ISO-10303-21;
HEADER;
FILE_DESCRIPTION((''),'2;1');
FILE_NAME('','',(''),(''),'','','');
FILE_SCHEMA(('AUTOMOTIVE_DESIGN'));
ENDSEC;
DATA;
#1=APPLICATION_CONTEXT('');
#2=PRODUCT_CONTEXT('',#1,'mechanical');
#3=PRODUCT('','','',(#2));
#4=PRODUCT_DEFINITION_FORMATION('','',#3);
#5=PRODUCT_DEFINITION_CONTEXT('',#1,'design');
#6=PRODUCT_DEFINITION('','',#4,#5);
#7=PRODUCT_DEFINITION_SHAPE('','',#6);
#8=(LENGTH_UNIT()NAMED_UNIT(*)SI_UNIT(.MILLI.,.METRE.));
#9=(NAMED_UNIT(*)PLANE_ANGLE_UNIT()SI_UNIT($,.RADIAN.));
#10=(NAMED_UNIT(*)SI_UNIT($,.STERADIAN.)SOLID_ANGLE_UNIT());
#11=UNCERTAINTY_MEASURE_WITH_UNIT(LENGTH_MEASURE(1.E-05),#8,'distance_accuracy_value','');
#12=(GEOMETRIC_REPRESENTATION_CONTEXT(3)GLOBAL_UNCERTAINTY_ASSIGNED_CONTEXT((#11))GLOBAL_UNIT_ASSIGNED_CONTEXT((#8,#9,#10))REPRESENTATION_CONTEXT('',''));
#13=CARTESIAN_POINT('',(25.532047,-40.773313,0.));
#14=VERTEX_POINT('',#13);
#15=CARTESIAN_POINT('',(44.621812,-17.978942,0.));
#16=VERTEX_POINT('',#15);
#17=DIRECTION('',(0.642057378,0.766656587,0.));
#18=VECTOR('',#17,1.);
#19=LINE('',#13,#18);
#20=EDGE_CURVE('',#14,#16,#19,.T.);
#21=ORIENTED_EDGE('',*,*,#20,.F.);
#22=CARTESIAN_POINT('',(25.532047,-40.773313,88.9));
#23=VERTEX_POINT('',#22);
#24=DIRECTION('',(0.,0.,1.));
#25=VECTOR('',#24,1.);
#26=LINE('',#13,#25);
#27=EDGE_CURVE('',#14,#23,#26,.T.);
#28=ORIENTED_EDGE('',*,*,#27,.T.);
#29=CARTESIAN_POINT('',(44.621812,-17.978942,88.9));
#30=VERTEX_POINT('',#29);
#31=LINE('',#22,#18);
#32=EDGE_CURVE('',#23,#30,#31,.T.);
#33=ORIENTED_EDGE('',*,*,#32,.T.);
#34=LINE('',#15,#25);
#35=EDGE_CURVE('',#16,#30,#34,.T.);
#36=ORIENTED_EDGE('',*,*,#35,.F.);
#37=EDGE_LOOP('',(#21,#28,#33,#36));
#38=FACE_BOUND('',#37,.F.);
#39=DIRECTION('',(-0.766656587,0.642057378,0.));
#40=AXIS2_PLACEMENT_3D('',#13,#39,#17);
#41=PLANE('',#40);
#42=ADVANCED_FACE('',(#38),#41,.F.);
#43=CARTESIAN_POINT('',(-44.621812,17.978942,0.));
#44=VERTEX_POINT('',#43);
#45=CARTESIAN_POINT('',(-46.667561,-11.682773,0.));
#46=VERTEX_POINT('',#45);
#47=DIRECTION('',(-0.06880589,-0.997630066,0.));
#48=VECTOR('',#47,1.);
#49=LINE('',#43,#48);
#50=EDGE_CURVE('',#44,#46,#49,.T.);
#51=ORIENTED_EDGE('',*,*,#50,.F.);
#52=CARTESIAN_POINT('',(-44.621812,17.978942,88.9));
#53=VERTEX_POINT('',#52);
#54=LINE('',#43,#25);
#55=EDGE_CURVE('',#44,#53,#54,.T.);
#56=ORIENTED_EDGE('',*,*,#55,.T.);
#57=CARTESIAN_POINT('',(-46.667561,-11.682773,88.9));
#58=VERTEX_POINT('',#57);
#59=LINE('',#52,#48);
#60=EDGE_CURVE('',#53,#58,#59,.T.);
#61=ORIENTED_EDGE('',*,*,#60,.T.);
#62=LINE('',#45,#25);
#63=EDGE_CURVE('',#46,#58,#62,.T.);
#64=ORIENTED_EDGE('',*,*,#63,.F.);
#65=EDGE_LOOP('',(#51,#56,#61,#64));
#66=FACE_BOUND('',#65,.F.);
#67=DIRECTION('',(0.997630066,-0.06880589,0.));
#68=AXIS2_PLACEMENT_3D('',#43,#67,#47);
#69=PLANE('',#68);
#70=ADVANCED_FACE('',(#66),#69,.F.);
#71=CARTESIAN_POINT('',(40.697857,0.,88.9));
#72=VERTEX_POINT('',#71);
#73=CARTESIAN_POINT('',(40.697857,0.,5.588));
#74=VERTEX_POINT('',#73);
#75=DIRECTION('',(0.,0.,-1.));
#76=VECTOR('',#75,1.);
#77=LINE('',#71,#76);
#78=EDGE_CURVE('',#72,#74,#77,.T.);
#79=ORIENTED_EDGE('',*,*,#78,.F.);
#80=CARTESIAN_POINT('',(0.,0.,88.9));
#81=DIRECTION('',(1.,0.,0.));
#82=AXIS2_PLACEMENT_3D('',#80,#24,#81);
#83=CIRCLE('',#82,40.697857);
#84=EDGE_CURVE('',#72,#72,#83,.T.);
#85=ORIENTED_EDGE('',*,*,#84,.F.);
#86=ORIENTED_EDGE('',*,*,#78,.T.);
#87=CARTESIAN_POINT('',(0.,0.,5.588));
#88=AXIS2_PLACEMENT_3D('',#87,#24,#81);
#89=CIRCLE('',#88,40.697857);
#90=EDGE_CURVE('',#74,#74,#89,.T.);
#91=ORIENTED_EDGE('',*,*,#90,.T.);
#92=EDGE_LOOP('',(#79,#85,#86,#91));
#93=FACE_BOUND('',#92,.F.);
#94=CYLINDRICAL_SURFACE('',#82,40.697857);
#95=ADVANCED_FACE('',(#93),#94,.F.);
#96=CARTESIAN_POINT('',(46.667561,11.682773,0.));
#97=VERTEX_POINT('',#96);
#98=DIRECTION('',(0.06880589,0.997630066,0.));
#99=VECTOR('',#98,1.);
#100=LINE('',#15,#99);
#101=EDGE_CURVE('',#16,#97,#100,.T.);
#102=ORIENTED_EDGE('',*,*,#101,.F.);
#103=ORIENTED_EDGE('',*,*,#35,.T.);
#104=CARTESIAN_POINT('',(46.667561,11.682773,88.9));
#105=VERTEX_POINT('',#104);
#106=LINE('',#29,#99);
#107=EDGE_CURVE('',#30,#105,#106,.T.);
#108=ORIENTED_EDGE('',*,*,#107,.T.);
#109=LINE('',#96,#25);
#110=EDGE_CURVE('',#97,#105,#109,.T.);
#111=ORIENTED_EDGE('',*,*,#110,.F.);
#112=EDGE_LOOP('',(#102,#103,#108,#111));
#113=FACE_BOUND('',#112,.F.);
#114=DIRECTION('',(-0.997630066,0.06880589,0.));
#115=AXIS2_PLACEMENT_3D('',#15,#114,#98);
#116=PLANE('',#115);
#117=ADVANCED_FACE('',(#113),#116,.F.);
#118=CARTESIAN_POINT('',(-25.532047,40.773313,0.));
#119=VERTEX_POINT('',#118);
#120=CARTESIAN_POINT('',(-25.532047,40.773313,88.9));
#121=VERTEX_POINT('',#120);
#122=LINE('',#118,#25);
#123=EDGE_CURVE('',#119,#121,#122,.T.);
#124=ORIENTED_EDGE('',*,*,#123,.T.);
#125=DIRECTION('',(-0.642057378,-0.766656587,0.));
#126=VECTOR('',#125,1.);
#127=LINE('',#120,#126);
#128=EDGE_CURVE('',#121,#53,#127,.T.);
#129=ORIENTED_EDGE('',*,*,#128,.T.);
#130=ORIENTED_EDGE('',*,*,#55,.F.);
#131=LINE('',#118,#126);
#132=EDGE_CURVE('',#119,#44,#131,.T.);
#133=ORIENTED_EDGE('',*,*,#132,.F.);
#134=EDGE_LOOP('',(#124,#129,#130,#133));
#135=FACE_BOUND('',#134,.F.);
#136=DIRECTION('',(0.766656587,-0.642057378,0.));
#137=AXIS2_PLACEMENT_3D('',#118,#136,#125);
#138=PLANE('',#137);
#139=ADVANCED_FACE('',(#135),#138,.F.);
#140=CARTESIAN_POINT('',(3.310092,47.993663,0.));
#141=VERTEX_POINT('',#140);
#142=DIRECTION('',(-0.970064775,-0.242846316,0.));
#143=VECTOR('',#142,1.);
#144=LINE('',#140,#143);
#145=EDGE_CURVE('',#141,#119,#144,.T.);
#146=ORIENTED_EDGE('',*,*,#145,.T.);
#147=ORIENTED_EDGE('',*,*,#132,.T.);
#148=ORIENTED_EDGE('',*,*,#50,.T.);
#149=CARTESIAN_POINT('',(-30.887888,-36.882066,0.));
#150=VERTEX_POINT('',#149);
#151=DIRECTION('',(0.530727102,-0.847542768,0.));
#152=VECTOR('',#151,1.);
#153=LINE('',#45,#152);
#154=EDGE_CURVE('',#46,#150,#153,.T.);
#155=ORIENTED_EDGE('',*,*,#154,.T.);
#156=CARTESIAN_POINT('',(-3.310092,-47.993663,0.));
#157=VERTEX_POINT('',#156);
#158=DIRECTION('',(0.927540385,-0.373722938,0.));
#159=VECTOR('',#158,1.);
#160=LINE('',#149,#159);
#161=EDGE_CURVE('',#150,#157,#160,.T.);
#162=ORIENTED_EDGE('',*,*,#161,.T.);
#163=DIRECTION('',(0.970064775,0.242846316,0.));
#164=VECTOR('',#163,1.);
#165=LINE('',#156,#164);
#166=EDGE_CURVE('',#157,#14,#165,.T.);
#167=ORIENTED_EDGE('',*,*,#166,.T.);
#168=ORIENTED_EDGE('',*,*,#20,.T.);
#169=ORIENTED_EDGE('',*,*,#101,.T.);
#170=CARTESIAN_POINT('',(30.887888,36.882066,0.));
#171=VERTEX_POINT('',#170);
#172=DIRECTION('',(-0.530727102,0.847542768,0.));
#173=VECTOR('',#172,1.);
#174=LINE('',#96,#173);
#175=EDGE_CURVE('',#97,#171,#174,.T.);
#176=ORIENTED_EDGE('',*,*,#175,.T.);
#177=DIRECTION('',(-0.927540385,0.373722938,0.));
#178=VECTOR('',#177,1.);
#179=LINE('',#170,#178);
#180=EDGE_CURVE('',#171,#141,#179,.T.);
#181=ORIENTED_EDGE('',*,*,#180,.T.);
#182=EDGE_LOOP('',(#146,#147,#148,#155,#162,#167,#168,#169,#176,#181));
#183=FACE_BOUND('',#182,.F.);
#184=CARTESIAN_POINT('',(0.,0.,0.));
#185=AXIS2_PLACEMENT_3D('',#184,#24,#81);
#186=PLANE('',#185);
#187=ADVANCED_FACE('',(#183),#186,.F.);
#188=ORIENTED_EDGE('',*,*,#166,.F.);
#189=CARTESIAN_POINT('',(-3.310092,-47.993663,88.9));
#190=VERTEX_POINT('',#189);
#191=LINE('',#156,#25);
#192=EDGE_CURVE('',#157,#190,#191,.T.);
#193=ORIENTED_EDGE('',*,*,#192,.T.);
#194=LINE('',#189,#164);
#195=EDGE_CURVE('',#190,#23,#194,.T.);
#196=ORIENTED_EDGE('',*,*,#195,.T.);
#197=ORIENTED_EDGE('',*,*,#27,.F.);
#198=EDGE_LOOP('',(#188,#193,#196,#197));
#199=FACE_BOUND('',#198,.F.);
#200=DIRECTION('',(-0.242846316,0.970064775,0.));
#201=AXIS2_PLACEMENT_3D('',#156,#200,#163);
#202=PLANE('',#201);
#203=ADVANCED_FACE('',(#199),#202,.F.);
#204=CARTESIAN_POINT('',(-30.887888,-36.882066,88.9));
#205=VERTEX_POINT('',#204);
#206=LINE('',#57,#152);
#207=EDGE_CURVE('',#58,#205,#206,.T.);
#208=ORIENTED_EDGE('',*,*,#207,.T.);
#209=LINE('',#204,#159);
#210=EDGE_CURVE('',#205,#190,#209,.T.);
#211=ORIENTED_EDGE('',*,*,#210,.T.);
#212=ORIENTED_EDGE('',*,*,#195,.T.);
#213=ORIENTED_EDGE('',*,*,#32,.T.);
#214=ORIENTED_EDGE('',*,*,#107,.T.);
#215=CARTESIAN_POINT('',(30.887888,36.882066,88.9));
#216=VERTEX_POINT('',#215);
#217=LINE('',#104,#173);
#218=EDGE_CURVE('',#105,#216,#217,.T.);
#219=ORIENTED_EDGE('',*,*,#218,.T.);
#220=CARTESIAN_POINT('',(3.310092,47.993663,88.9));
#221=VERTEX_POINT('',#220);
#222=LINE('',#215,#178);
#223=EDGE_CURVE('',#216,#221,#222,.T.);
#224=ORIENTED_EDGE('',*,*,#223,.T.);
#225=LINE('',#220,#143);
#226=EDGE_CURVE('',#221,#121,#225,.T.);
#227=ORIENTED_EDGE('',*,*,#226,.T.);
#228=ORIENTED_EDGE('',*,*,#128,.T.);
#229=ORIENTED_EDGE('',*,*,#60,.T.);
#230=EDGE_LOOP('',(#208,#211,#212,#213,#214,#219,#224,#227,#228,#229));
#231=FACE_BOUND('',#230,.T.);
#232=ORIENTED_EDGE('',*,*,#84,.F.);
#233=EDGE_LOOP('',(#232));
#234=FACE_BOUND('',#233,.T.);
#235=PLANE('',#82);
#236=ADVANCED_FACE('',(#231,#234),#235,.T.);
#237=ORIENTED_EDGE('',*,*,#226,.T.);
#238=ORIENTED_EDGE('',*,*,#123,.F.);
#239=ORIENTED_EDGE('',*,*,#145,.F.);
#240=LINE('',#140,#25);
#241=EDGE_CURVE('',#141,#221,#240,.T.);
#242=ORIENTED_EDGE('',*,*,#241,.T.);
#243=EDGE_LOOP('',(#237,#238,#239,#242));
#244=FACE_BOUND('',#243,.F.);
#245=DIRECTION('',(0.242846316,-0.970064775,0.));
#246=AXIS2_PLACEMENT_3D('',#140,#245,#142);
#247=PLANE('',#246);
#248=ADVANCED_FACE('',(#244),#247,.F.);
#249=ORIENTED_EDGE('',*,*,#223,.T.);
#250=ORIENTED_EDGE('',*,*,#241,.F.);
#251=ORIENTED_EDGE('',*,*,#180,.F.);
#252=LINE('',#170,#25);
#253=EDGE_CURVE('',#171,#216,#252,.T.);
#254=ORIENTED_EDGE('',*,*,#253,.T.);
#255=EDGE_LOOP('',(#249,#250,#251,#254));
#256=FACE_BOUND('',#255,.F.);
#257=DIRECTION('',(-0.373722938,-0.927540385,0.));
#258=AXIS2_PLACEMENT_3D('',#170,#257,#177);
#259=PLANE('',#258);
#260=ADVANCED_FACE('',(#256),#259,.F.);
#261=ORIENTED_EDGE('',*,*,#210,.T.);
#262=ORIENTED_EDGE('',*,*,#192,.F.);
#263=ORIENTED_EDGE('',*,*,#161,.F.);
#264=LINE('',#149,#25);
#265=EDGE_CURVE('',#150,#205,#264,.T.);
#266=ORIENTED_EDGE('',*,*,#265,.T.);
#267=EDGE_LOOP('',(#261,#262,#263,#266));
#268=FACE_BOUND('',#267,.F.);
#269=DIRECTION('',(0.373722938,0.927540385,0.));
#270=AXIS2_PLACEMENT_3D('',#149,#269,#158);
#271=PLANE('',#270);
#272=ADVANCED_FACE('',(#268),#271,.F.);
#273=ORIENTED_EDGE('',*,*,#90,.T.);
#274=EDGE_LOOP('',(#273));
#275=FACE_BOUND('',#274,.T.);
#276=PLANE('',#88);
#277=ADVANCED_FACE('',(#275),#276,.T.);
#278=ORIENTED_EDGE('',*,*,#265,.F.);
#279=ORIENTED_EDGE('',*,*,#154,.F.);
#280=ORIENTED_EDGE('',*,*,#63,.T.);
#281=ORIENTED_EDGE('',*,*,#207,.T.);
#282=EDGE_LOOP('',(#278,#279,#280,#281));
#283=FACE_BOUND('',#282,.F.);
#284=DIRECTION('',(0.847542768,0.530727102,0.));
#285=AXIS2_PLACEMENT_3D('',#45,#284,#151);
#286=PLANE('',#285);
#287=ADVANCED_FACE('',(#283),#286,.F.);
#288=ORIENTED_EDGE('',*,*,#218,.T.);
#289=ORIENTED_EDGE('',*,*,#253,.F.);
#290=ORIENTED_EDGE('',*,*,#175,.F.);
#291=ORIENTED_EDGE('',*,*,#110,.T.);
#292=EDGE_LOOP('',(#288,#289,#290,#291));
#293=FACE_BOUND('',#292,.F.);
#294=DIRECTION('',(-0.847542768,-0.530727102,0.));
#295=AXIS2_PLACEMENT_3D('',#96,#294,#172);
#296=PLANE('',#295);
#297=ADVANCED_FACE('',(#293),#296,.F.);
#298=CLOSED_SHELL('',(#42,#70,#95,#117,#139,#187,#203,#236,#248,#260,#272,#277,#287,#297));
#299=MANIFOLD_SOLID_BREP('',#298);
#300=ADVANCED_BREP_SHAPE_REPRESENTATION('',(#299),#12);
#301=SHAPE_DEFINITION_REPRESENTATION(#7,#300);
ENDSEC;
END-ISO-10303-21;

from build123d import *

# Parameters (mm, degrees)
F2_DEPTH = 88.9
F3_R     = 40.697857
F4_DEPTH = 83.312


with BuildPart() as f2:
    # F1 (on face) → F2 (new body)
    with BuildSketch(Plane.XY):
        Polygon((25.532047, -40.773313), (44.621812, -17.978942), (46.667561, 11.682773), (30.887888, 36.882066), (3.310092, 47.993663), (-25.532047, 40.773313), (-44.621812, 17.978942), (-46.667561, -11.682773), (-30.887888, -36.882066), (-3.310092, -47.993663), align=None)
    extrude(amount=F2_DEPTH)

    # F3 (on face) → F4 (cut)
    with BuildSketch(Plane.XY.offset(88.9)):
        Circle(F3_R)
    extrude(amount=-F4_DEPTH, mode=Mode.SUBTRACT)


solid = f2.part
